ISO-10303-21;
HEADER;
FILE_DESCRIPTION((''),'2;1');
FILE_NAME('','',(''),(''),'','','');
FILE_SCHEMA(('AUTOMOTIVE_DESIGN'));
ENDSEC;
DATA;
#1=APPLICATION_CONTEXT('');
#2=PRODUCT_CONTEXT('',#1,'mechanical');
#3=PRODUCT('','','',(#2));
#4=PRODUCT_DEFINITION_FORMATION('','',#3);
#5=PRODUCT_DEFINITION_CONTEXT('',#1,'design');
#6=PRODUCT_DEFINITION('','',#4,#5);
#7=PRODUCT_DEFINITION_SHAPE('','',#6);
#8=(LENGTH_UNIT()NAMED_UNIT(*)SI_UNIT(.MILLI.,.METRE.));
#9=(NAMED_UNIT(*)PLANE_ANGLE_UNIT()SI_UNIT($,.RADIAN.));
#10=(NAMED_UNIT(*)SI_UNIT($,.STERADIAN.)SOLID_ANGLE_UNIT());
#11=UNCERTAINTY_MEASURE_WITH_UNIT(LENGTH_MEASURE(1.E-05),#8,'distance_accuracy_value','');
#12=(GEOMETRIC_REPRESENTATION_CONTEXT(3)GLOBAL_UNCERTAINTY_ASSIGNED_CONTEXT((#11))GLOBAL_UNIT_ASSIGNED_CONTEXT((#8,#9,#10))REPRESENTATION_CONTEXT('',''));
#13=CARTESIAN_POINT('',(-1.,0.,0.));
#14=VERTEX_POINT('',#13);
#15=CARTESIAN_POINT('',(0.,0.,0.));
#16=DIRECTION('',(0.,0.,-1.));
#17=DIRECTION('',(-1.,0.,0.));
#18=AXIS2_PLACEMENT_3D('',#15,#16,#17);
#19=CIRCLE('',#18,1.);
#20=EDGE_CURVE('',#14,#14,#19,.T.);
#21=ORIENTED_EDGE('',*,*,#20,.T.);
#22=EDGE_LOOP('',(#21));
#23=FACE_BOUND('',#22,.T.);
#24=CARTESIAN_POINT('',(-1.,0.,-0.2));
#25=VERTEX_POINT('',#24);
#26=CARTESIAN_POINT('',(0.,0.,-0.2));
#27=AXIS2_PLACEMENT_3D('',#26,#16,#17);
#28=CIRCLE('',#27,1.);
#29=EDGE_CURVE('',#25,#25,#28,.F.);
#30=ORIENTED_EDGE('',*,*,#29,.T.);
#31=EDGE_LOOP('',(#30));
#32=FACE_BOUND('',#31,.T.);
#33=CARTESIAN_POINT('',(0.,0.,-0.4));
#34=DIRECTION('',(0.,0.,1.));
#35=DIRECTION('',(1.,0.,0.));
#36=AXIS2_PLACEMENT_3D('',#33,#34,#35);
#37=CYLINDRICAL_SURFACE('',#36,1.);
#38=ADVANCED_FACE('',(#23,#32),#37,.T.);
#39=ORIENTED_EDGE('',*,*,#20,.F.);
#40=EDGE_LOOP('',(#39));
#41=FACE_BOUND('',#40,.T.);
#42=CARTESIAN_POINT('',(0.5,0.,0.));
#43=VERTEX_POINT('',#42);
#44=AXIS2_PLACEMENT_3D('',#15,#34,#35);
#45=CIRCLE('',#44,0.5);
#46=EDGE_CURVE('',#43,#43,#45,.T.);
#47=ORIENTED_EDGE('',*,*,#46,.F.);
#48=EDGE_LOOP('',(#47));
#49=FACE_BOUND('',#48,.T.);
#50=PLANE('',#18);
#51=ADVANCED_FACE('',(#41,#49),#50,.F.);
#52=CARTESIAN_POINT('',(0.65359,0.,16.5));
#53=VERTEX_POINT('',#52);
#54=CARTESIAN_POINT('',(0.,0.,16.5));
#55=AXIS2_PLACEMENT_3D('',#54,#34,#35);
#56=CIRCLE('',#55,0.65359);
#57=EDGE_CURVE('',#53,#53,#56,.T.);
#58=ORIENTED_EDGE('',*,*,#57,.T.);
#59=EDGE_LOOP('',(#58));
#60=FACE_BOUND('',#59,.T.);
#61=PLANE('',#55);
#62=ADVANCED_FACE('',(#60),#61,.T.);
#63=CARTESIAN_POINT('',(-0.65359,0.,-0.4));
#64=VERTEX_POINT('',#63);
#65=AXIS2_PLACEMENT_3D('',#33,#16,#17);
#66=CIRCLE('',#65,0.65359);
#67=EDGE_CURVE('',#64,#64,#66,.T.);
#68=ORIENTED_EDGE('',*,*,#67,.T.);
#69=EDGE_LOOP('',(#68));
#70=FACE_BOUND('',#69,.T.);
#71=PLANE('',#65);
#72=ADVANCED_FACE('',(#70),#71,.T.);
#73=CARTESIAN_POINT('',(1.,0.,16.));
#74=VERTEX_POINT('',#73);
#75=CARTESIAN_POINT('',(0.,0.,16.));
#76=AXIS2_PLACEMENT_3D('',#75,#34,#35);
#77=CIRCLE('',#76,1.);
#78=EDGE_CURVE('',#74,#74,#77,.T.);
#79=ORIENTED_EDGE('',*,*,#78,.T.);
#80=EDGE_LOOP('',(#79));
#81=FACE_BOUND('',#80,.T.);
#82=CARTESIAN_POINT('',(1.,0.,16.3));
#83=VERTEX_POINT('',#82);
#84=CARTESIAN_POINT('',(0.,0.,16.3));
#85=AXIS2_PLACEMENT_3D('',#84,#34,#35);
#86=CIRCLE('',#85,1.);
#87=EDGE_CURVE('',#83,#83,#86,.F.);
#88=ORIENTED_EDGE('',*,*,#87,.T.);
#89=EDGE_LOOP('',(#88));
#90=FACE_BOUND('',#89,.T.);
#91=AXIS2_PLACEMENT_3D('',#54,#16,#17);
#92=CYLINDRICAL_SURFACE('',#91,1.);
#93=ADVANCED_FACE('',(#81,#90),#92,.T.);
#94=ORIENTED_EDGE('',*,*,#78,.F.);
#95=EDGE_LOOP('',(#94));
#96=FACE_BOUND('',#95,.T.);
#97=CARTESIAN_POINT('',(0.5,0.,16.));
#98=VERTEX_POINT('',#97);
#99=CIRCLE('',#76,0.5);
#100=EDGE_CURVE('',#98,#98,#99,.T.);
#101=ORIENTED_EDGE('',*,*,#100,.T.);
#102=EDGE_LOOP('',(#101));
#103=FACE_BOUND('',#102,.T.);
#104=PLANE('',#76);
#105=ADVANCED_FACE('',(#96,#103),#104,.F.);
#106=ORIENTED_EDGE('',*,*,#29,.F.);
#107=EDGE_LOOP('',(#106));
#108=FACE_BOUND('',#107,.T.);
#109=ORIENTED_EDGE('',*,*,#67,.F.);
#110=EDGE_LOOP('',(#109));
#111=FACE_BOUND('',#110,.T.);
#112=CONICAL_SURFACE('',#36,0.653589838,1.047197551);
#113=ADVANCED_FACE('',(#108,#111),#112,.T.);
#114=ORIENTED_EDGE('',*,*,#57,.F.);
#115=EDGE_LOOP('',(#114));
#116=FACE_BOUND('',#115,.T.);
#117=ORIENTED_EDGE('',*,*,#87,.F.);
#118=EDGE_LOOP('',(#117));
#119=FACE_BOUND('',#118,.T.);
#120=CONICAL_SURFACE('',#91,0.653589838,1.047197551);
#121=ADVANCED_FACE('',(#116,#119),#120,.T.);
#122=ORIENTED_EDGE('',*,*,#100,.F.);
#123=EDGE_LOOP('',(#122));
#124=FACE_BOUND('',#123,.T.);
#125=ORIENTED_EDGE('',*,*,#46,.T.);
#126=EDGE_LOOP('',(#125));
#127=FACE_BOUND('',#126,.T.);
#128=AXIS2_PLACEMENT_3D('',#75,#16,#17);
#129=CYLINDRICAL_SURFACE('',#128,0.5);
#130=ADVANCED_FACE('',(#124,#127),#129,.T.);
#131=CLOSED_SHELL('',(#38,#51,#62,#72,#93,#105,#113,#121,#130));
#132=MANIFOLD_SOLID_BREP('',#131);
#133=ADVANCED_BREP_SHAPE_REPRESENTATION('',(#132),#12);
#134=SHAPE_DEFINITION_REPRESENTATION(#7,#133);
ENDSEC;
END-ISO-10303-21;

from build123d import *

# Parameters (mm, degrees)
SKETCH1_R           = 0.5
BOSS_EXTRUDE1_DEPTH = 16
SKETCH2_R           = 1
BOSS_EXTRUDE2_DEPTH = 0.4
CHAMFER1_SIZE       = 0.2
CHAMFER1_SIZE2      = 0.346410162
BOSS_EXTRUDE3_START = 0.5
SKETCH3_R           = 1
BOSS_EXTRUDE3_DEPTH = 0.5
CHAMFER2_SIZE       = 0.2
CHAMFER2_SIZE2      = 0.346410162


with BuildPart() as part:
    # Sketch1 → Boss-Extrude1 (new body)
    with BuildSketch(Plane.XY):
        Circle(SKETCH1_R)
    extrude(amount=BOSS_EXTRUDE1_DEPTH)

    # Sketch2 → Boss-Extrude2 (add)
    with BuildSketch(Plane(origin=(0, 0, 0), x_dir=(-1, 0, 0), z_dir=(0, 0, -1))):
        Circle(SKETCH2_R)
    extrude(amount=BOSS_EXTRUDE2_DEPTH)

    # Chamfer1
    chamfer1_edges = [part.edges().sort_by_distance(p)[0] for p in [
        (1, 0, -0.4),
    ]]
    chamfer1_side = [part.faces().sort_by_distance(p)[0] for p in [
        (1, 0, -0.2),
    ]]
    chamfer(chamfer1_edges, length=CHAMFER1_SIZE, length2=CHAMFER1_SIZE2, reference=chamfer1_side[0])

    # Sketch3 → Boss-Extrude3 (add)
    with BuildSketch(Plane.XY.offset(16).offset(BOSS_EXTRUDE3_START)):
        with Locations(Location((0, 0, 0), (0, 0, 180))):
            Circle(SKETCH3_R)
    extrude(amount=-BOSS_EXTRUDE3_DEPTH)

    # Chamfer2
    chamfer2_edges = [part.edges().sort_by_distance(p)[0] for p in [
        (1, 0, 16.5),
    ]]
    chamfer2_side = [part.faces().sort_by_distance(p)[0] for p in [
        (1, 0, 16.25),
    ]]
    chamfer(chamfer2_edges, length=CHAMFER2_SIZE, length2=CHAMFER2_SIZE2, reference=chamfer2_side[0])


solid = part.part
